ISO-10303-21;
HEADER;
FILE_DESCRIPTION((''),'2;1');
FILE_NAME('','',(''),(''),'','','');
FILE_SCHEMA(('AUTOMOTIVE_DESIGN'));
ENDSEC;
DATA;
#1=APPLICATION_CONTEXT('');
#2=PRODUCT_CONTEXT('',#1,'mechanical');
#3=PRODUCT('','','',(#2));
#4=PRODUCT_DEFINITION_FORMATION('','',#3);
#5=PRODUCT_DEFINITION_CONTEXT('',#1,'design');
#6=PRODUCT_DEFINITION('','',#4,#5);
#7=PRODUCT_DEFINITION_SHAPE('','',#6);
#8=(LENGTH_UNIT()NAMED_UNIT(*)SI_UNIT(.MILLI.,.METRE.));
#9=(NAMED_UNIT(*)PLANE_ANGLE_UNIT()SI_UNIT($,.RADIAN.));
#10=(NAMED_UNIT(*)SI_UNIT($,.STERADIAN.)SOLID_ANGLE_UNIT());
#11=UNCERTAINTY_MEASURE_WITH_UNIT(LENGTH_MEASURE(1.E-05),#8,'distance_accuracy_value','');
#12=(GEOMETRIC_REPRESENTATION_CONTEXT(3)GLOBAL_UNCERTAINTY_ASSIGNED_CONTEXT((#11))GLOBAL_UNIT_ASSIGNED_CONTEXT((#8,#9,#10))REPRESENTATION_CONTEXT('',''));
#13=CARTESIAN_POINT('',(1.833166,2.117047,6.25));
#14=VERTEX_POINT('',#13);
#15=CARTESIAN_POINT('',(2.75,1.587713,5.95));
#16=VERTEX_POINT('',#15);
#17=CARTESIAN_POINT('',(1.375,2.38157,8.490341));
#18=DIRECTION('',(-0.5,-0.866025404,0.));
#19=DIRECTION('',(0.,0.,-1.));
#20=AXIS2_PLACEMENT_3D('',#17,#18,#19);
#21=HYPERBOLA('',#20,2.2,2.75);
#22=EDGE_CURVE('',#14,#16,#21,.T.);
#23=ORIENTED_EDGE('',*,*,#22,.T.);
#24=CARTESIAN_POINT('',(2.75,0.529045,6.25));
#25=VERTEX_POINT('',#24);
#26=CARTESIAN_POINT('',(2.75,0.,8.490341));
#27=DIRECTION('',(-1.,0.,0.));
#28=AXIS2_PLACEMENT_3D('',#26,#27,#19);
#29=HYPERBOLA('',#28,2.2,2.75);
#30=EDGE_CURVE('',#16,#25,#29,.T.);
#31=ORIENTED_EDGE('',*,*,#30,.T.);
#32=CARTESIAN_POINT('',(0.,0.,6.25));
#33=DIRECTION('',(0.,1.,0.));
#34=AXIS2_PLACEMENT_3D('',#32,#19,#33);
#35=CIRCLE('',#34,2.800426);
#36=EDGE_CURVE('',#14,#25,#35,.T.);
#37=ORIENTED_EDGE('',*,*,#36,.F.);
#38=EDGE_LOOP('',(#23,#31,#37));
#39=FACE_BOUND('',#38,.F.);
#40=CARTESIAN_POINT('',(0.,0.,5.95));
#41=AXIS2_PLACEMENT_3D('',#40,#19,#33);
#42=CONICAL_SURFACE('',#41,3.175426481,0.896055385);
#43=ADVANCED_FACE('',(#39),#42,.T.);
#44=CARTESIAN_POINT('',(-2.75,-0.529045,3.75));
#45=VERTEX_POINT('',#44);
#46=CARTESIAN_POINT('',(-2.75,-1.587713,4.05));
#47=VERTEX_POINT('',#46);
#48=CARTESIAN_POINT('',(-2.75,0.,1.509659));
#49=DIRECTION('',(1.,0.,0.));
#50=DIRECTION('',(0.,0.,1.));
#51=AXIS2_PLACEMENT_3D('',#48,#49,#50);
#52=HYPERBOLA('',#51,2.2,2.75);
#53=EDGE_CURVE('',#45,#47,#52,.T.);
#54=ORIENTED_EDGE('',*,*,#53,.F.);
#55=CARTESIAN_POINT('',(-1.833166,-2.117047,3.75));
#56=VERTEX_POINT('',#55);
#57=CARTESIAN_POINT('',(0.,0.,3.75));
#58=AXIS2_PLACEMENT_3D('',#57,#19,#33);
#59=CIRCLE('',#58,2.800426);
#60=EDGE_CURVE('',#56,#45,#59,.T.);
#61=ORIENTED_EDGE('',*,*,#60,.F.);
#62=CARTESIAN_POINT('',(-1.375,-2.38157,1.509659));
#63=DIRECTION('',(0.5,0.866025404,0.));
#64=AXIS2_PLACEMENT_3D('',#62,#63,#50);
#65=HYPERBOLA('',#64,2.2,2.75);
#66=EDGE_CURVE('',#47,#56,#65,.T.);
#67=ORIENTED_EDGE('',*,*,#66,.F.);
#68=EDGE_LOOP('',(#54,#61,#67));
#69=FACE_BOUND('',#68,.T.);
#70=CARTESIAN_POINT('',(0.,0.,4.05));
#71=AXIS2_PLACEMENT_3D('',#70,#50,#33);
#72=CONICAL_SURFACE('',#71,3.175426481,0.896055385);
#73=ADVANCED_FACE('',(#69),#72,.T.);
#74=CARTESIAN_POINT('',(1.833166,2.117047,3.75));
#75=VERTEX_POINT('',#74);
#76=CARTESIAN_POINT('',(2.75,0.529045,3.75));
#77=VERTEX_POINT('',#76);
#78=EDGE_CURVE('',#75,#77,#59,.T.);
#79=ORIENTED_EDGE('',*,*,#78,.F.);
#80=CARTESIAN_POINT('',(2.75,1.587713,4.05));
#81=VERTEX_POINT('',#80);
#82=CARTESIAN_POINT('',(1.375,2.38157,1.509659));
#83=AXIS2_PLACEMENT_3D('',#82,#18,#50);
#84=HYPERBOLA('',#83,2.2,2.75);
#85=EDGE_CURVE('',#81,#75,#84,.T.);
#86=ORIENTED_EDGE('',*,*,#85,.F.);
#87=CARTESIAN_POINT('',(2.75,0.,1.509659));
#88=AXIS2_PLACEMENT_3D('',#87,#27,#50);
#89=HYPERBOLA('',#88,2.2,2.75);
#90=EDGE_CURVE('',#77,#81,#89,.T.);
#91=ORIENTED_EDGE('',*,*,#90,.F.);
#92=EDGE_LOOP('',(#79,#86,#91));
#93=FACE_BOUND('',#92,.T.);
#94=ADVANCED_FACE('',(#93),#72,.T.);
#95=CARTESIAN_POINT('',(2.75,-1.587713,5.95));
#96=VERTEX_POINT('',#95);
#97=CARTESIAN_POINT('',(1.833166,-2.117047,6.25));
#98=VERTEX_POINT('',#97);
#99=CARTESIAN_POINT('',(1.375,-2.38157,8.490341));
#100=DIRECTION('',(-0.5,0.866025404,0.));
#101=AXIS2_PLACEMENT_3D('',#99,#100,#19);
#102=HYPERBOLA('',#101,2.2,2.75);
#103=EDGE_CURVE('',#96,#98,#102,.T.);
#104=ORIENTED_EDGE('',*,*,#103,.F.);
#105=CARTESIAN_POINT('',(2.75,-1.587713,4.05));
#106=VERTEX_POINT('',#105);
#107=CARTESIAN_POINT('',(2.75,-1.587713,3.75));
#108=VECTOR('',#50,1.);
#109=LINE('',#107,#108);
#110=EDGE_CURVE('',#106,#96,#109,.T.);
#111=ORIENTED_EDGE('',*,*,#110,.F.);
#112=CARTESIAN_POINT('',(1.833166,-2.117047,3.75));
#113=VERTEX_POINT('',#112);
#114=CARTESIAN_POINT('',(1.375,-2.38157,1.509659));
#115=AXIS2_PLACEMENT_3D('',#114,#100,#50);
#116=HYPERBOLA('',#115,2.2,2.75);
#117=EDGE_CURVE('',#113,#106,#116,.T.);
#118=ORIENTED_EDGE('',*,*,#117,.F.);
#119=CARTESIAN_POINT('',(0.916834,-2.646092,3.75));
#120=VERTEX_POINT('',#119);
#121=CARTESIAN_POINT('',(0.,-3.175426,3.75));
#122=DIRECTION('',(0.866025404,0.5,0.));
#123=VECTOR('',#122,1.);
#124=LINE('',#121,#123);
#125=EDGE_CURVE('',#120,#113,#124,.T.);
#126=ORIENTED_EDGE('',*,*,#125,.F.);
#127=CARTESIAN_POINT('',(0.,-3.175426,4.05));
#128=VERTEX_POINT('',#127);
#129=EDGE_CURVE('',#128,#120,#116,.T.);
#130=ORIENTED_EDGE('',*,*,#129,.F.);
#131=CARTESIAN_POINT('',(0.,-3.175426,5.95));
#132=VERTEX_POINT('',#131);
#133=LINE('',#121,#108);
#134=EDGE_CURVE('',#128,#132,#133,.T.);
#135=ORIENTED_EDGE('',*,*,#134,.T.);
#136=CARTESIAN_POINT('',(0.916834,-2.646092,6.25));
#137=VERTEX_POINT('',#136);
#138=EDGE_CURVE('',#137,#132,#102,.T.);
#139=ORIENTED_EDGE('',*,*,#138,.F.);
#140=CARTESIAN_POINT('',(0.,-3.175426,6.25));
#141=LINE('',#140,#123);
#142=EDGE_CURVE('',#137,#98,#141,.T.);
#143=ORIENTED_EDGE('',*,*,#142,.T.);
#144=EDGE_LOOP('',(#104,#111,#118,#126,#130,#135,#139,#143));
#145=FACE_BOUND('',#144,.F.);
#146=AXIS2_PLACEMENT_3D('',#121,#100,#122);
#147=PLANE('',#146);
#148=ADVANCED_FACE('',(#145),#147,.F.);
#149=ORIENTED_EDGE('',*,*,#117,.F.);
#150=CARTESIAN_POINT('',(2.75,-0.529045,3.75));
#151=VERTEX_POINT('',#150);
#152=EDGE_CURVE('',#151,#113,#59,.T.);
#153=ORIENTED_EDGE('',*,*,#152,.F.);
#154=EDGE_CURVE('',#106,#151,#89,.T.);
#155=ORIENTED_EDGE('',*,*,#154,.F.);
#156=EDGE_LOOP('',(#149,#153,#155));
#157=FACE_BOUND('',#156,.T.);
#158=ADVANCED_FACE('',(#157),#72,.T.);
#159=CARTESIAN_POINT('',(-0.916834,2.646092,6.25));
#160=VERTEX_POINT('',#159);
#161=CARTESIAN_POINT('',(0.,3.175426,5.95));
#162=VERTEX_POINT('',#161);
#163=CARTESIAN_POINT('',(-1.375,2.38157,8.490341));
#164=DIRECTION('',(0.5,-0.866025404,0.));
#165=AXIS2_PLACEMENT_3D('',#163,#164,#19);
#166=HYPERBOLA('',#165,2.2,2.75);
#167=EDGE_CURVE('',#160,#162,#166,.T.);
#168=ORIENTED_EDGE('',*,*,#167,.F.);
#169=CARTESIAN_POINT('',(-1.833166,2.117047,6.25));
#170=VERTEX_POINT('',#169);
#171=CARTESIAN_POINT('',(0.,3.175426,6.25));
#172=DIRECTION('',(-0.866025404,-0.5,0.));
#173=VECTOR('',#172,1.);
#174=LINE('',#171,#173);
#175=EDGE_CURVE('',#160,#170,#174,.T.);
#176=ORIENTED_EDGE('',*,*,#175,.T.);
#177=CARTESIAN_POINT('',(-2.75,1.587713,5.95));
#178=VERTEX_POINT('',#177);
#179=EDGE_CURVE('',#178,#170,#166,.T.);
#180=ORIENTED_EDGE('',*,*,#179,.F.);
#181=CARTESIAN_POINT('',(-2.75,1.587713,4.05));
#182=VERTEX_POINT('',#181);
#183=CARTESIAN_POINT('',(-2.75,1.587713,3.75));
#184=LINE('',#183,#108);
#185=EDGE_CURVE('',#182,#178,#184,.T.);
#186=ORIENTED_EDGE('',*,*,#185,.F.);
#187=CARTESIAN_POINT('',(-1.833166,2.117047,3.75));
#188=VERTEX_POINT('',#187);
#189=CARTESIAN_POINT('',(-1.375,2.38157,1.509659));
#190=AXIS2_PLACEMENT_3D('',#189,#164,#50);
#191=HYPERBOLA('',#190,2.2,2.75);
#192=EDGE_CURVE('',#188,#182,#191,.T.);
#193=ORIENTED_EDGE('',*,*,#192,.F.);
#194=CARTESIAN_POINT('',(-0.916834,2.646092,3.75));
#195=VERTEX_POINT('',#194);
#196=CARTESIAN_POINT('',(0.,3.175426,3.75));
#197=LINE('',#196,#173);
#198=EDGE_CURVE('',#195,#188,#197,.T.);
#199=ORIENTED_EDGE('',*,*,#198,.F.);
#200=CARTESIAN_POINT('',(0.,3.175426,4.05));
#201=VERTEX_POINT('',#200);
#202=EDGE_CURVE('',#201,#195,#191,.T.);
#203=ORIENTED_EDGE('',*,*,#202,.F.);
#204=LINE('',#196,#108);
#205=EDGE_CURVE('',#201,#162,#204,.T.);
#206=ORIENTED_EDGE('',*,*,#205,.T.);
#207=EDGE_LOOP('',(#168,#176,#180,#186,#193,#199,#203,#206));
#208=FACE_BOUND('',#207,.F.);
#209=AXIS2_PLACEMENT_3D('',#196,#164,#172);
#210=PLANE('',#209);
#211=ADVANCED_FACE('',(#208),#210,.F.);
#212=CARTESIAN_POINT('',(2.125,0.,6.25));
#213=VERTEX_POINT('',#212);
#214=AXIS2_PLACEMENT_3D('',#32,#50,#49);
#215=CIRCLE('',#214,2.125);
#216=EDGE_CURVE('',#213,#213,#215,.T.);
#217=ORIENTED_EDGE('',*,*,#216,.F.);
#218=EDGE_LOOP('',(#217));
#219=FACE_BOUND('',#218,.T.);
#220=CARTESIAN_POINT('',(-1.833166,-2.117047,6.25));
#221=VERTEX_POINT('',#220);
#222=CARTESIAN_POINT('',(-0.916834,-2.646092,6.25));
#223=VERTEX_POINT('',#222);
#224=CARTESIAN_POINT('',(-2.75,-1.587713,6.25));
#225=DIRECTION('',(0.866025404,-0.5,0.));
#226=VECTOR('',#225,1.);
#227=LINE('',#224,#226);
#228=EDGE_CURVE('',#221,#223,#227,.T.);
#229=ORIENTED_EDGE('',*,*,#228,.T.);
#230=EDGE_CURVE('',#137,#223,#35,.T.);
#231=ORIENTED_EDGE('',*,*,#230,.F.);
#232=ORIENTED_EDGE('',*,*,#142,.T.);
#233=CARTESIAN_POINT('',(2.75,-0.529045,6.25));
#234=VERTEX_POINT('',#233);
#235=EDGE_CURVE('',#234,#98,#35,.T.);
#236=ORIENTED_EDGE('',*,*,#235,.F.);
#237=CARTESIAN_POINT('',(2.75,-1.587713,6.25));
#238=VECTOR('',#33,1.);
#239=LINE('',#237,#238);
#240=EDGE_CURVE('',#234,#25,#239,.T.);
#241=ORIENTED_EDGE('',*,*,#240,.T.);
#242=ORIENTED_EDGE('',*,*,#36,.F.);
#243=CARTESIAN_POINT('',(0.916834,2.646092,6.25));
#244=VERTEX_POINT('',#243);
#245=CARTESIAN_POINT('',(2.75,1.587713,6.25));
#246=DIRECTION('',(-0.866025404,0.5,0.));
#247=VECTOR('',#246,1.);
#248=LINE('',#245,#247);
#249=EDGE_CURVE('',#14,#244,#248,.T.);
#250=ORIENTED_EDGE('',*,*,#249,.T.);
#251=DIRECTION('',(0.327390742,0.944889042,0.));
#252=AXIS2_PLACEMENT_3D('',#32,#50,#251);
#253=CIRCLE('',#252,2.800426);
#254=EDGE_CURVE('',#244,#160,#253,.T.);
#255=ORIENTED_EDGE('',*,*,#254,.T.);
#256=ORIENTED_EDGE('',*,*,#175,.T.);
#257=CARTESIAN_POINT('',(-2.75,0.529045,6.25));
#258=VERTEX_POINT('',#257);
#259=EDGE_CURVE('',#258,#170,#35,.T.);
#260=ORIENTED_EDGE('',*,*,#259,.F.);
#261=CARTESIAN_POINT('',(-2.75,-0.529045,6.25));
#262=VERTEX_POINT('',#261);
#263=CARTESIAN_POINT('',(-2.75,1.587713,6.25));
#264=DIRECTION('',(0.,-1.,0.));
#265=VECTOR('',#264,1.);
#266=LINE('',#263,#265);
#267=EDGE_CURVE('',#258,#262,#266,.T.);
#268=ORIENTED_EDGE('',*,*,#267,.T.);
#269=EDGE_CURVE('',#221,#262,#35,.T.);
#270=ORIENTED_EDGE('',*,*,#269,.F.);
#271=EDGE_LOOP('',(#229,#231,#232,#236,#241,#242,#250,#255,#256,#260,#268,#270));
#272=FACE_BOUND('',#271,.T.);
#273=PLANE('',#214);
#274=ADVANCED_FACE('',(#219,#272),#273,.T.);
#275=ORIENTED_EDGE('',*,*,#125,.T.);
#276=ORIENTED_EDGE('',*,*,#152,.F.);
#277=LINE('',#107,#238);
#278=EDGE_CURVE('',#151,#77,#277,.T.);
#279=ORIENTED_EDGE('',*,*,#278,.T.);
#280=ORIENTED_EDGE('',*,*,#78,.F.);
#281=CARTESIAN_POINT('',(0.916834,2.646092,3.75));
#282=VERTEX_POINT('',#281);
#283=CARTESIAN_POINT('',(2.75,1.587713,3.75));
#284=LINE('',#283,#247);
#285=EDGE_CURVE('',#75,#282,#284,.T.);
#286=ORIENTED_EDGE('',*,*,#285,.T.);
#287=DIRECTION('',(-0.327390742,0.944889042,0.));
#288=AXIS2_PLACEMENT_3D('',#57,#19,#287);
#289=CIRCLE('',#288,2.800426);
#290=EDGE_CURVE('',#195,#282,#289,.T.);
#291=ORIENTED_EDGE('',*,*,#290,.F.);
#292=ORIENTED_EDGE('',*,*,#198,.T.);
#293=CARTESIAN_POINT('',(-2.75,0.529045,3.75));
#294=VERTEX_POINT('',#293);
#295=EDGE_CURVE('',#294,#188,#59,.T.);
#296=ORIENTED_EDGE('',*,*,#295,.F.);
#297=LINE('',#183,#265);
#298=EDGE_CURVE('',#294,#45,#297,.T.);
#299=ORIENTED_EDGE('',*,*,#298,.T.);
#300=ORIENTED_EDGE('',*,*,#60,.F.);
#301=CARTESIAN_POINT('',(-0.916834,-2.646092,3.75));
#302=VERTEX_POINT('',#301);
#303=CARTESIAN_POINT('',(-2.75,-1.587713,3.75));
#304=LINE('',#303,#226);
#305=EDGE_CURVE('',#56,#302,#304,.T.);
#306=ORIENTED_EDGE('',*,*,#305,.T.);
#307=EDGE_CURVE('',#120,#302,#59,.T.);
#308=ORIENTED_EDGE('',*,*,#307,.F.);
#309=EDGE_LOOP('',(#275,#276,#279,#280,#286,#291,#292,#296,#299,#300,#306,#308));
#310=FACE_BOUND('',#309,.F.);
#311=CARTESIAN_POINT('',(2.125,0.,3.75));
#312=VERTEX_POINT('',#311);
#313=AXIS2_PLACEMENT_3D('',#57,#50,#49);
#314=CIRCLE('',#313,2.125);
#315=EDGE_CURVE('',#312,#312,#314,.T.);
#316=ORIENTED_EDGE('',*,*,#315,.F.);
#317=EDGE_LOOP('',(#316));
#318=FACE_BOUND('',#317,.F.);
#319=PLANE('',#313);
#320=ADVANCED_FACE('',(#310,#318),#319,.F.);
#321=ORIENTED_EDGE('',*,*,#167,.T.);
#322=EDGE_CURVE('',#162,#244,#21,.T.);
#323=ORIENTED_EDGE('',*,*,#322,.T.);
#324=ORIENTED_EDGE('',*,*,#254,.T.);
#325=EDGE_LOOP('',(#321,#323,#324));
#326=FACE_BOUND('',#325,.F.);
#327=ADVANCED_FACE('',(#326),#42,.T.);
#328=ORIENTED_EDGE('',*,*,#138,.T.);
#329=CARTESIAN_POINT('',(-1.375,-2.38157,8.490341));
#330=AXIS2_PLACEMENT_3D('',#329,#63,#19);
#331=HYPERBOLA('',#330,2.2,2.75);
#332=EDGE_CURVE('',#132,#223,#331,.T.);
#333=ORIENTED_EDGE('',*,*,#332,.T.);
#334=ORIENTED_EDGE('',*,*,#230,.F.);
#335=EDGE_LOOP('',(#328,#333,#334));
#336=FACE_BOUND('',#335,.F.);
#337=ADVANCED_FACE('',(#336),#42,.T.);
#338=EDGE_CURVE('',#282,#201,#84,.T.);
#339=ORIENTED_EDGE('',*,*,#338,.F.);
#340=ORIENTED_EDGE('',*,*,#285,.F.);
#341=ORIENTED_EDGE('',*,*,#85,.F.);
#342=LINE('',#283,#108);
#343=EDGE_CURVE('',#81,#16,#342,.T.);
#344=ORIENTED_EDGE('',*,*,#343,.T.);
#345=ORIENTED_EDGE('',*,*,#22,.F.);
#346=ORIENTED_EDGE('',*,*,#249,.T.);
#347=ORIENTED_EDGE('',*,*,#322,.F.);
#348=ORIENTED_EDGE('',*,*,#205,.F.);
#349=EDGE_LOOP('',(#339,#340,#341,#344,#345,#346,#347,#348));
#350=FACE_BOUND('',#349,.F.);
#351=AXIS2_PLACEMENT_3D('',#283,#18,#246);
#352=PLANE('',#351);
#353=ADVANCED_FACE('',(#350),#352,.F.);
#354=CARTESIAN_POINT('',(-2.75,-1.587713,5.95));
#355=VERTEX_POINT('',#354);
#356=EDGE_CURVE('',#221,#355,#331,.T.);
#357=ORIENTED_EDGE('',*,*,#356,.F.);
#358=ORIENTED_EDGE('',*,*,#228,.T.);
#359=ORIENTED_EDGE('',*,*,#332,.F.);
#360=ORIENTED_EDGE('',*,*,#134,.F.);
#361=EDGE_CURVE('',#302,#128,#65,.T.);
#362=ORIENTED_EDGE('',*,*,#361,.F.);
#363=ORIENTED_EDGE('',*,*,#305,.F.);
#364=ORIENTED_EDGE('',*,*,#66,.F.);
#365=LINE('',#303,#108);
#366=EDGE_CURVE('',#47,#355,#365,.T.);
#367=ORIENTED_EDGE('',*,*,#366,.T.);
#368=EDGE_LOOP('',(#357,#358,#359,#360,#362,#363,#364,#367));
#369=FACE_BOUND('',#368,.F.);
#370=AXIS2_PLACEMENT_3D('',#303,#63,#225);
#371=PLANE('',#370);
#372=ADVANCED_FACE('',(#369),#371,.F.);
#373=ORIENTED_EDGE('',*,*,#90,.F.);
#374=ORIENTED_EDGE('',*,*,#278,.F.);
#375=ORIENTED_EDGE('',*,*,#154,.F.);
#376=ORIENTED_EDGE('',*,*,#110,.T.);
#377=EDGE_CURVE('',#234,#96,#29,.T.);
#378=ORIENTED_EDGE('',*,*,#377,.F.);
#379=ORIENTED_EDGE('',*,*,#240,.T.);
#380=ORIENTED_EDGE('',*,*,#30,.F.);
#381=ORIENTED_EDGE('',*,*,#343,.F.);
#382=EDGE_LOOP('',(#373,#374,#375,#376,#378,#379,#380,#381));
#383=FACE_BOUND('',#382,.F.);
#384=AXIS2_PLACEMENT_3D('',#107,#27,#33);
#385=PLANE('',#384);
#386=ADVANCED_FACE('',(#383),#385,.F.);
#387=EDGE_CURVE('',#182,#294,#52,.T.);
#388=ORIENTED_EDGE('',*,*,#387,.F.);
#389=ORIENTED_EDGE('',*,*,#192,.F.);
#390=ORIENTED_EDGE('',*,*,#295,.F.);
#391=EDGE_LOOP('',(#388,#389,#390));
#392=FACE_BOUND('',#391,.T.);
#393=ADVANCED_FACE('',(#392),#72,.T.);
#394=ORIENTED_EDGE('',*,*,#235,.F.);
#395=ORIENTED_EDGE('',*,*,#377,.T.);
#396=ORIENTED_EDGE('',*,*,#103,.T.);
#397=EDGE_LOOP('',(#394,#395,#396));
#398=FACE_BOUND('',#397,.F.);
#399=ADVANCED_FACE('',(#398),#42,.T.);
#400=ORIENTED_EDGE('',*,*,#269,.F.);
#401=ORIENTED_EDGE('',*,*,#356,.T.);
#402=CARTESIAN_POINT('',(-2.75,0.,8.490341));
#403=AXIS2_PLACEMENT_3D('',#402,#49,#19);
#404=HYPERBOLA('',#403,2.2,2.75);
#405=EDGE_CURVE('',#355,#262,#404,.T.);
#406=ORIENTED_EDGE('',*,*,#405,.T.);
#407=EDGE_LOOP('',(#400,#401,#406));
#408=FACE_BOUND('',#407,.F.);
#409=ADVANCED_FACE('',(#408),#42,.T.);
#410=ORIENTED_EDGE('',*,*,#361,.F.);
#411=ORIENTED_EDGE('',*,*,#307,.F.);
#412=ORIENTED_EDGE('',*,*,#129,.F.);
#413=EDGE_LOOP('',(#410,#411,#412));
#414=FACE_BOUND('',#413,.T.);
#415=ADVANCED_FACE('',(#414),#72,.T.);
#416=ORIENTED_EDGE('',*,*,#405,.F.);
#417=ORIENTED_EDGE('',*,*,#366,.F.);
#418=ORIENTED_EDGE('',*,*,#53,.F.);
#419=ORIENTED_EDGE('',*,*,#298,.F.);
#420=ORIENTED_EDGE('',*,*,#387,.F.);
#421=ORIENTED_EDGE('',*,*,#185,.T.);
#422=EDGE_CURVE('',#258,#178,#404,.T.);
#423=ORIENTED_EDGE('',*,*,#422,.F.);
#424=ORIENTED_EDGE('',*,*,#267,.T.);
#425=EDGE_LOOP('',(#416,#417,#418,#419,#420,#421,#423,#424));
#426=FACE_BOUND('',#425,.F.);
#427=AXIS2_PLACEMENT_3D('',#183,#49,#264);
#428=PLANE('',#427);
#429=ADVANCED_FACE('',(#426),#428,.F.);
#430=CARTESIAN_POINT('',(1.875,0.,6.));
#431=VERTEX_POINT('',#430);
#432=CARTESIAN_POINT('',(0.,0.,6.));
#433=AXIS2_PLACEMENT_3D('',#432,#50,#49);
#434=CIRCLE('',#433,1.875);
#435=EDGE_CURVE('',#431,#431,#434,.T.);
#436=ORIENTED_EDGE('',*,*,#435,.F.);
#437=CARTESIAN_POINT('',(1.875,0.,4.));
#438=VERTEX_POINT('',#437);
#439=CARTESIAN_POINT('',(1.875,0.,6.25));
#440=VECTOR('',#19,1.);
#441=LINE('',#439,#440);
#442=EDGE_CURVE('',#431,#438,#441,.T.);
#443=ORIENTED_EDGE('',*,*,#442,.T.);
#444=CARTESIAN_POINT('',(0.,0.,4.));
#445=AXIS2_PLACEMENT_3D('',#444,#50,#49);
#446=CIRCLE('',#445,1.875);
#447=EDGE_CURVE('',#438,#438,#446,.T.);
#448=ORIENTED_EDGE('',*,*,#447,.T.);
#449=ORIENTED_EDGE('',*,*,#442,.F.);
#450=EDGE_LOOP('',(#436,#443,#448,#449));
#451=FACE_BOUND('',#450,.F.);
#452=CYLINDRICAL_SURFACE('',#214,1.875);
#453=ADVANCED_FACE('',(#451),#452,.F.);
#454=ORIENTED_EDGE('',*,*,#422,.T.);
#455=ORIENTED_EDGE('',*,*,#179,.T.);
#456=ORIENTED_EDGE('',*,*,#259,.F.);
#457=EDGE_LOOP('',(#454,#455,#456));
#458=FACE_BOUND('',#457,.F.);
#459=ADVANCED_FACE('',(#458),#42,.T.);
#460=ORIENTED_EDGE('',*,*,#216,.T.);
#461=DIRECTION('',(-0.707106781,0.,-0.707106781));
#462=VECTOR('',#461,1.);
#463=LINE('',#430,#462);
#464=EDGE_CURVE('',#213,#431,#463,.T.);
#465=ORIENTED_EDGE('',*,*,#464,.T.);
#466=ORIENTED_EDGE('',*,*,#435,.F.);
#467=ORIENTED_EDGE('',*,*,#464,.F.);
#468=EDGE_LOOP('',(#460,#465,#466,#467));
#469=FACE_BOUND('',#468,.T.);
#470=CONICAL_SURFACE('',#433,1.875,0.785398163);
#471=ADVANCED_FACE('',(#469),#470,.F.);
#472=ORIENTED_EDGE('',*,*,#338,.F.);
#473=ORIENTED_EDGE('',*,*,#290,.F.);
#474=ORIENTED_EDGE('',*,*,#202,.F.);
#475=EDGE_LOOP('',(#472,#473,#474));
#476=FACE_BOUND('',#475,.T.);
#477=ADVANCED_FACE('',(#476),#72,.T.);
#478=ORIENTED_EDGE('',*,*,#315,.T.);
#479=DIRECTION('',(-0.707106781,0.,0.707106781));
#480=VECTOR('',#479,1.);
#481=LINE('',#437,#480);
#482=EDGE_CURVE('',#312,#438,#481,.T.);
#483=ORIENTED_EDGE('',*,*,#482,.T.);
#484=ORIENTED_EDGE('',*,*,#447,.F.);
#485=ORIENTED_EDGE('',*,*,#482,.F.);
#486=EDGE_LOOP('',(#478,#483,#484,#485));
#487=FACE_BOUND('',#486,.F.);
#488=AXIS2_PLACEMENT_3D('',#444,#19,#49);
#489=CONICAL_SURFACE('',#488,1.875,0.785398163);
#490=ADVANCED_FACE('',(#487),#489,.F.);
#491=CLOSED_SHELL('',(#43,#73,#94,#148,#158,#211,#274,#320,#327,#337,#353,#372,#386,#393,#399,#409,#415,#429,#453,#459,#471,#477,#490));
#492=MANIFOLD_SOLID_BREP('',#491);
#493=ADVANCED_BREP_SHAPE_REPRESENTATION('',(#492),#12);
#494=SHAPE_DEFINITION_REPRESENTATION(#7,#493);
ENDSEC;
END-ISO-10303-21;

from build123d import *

# Parameters (mm, degrees)
BOSS_EXTRUDE1_DEPTH = 10
SKETCH2_R           = 7.5
CUT_EXTRUDE1_DEPTH  = 20.553345835
CHAMFER1_SIZE       = 1
SCALE1_SCALE        = 0.25


with BuildPart() as part:
    # Sketch1 → Boss-Extrude1 (new body)
    with BuildSketch(Plane.XY):
        Polygon((11, -6.350852961), (11, 6.350852961), (0, 12.701705922), (-11, 6.350852961), (-11, -6.350852961), (0, -12.701705922), align=None)
    extrude(amount=BOSS_EXTRUDE1_DEPTH)

    # Sketch2 → Cut-Extrude1 (cut, through all)
    with BuildSketch(Plane.XY.offset(10)):
        Circle(SKETCH2_R)
    extrude(amount=-CUT_EXTRUDE1_DEPTH, mode=Mode.SUBTRACT)

    # Chamfer1
    chamfer1_edges = [part.edges().sort_by_distance(p)[0] for p in [
        (-7.5, 0, 0),
        (-7.5, 0, 10),
    ]]
    chamfer(chamfer1_edges, length=CHAMFER1_SIZE)

    # Sketch3 → Cut-Revolve1 (revolve, cut)
    with BuildSketch(Plane(origin=(0, 0, 0), x_dir=(0, 0, -1), z_dir=(1, 0, 0))):
        Polygon((-1.2, 12.701705922), (0, 11.201705922), (0, 12.701705922), align=None)
        Polygon((-10, 12.701705922), (-8.8, 12.701705922), (-10, 11.201705922), align=None)
    revolve(axis=Axis((0, 0, 11.931006721), (0, 0, -1)), mode=Mode.SUBTRACT)


with BuildPart() as part_1:
    # Scale1: scaled about (0, 0, 5)
    add(part.part.scale(SCALE1_SCALE).moved(Location((0, 0, 3.75))))


solid = part_1.part
